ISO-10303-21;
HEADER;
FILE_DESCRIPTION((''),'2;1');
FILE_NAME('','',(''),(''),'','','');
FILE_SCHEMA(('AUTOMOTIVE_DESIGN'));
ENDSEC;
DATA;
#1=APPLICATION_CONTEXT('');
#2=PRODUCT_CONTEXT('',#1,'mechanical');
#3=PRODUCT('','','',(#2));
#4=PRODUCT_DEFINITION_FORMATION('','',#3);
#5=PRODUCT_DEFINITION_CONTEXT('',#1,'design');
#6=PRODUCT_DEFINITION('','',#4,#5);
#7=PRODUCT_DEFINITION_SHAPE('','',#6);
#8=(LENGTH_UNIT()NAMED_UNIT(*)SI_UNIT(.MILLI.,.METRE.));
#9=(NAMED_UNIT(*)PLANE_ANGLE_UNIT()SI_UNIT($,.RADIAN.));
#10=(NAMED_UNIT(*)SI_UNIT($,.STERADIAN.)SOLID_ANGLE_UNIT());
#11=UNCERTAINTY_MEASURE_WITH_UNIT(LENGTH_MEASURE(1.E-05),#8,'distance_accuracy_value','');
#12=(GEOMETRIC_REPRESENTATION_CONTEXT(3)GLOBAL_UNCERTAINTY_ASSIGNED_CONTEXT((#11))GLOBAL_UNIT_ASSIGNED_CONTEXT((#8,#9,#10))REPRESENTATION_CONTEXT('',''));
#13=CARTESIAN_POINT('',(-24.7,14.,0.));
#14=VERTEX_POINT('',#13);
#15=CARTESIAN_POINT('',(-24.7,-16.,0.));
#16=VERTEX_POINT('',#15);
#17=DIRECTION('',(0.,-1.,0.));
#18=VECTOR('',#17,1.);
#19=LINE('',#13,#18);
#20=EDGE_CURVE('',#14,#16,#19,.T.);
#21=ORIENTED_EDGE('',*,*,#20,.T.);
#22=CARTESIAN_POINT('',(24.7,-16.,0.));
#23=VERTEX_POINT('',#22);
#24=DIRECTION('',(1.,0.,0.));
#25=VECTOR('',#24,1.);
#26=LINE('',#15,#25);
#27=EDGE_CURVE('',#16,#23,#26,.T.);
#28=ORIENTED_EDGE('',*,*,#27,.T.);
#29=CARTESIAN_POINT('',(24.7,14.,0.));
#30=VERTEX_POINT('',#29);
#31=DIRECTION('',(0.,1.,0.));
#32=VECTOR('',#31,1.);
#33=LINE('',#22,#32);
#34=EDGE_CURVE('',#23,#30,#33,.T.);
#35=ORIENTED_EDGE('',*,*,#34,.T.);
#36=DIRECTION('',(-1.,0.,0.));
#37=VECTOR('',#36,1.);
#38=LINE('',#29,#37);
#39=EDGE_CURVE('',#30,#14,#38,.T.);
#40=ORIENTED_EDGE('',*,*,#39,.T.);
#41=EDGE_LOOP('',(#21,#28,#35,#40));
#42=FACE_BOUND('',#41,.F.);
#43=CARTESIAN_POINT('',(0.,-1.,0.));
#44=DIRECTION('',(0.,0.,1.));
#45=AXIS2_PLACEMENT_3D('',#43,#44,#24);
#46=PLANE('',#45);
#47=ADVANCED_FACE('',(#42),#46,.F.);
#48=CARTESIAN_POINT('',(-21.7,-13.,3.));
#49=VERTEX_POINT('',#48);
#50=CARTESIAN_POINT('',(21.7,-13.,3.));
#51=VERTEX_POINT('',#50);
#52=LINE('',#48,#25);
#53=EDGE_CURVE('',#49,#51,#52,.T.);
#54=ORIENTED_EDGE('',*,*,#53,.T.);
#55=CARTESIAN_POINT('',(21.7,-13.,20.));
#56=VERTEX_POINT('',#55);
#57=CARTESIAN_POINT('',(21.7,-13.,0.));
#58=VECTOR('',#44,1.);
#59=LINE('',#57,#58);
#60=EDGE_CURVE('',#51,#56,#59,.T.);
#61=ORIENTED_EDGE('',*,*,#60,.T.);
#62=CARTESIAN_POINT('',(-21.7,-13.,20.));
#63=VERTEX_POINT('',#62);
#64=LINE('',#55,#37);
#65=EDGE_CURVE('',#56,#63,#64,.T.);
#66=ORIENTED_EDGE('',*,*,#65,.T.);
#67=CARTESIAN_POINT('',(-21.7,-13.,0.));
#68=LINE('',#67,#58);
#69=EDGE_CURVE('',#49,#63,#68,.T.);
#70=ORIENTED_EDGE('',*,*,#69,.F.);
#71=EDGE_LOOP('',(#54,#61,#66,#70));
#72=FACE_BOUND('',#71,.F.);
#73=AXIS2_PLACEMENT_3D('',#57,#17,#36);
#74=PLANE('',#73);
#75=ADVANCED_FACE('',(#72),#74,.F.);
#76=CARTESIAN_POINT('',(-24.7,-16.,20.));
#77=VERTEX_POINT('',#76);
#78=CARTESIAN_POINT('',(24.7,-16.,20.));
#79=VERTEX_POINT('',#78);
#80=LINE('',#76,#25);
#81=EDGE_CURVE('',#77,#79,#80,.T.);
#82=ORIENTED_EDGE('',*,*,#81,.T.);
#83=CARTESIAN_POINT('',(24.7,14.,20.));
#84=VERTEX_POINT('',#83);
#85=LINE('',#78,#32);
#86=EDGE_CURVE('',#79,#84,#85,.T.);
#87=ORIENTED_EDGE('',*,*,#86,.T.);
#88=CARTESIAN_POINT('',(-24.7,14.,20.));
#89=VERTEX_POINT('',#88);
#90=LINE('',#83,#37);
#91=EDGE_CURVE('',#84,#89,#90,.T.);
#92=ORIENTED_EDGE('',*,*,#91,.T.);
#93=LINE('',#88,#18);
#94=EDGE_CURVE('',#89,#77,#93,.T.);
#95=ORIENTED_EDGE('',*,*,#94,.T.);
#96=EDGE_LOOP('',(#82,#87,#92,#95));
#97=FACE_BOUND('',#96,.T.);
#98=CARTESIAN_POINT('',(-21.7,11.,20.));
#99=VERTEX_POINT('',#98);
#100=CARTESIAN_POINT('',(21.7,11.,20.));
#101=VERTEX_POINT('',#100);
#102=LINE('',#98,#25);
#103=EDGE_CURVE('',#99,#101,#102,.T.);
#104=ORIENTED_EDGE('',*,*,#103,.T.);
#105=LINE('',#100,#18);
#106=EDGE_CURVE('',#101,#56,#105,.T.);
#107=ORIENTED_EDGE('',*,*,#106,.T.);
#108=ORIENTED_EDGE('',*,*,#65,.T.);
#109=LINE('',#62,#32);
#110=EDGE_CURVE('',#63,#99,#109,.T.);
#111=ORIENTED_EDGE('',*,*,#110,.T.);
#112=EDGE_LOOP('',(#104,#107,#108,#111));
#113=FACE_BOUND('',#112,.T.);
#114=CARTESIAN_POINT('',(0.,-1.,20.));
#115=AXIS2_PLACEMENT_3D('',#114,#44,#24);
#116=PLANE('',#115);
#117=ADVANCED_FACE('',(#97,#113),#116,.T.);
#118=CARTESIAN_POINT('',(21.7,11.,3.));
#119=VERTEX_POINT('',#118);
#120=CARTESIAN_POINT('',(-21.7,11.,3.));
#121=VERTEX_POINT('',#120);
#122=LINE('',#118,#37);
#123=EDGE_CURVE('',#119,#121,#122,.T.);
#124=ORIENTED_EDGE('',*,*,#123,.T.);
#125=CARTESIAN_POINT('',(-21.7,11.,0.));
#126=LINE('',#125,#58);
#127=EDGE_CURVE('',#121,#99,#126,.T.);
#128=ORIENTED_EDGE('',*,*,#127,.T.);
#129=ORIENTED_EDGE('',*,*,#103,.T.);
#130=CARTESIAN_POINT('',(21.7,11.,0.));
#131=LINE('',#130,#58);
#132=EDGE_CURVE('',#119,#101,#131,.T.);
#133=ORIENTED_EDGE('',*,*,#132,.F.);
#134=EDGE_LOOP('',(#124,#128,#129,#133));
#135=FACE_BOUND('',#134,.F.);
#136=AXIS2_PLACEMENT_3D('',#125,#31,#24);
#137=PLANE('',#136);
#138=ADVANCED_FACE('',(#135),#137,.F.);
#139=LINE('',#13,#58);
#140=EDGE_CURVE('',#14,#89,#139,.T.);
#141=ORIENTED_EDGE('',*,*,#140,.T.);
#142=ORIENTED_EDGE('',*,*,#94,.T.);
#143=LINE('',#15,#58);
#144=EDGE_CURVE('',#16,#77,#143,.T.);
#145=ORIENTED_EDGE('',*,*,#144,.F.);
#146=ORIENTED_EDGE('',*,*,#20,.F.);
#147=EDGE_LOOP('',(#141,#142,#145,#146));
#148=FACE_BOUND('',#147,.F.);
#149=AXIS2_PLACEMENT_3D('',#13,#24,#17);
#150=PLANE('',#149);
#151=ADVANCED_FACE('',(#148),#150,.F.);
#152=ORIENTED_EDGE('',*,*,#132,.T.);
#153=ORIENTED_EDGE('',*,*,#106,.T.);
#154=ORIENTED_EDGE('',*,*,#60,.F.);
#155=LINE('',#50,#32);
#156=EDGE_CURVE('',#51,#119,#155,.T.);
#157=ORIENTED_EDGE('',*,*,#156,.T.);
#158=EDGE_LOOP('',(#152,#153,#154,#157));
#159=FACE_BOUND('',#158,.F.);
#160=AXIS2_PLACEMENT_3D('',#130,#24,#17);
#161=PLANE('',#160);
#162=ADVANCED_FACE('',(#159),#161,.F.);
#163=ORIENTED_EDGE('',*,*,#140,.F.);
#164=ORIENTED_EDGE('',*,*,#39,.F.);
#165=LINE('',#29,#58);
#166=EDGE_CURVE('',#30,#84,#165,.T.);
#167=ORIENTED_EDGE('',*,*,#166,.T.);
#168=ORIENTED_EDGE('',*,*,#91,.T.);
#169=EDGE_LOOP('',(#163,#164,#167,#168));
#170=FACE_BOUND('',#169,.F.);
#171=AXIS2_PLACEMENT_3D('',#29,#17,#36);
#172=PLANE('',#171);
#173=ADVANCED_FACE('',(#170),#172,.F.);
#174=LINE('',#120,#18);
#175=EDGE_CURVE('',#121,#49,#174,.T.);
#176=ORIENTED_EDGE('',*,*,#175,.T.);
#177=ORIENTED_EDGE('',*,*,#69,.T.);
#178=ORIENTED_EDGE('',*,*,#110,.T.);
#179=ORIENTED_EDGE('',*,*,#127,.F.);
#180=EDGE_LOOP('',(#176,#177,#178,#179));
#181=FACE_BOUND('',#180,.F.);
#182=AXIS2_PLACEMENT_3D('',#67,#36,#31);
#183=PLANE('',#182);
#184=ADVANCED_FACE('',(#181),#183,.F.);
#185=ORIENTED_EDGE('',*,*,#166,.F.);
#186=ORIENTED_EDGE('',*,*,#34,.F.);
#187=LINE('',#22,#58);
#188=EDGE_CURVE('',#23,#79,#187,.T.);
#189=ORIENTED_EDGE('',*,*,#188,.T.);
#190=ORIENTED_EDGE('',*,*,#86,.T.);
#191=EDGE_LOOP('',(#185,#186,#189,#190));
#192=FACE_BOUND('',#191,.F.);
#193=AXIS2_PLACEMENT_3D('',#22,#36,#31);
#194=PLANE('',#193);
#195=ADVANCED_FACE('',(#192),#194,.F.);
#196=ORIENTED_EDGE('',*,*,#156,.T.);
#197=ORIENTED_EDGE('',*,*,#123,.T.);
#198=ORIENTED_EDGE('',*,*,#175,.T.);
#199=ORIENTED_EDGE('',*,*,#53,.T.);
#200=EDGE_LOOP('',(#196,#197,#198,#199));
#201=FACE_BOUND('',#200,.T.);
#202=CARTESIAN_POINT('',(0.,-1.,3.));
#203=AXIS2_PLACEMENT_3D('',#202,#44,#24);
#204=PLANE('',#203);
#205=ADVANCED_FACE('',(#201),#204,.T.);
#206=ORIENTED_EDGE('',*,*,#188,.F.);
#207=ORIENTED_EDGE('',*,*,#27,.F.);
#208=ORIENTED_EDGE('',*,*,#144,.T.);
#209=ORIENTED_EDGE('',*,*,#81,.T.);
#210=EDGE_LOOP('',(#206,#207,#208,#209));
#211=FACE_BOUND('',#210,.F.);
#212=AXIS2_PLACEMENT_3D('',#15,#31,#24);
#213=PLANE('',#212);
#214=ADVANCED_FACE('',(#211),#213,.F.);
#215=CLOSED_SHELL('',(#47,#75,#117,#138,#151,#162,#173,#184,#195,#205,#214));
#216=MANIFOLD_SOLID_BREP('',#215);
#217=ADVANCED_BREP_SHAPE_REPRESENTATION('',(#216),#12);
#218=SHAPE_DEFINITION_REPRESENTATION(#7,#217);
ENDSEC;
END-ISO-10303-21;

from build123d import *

# Parameters (mm, degrees)
F1_DEPTH = 20
F2_DEPTH = 3


with BuildPart() as f1:
    # F0 (on Top) → F1 (new body)
    with BuildSketch(Plane.XY):
        Polygon((24.7, 14), (0, 14), (-24.7, 14), (-24.7, -6), (-24.7, -9.427755), (-24.7, -13), (-24.7, -16), (-21.7, -16), (21.7, -16), (24.7, -16), (24.7, -13), (24.7, -9.427755), (24.7, -6), align=None)
        Polygon((21.7, -13), (-21.7, -13), (-21.7, 11), (0, 11), (21.7, 11), align=None, mode=Mode.SUBTRACT)
    extrude(amount=F1_DEPTH)

    # F0 (on Top) → F2 (join)
    with BuildSketch(Plane.XY):
        Polygon((-21.7, 11), (-21.7, -13), (21.7, -13), (21.7, 11), (0, 11), align=None)
    extrude(amount=F2_DEPTH)


solid = f1.part
